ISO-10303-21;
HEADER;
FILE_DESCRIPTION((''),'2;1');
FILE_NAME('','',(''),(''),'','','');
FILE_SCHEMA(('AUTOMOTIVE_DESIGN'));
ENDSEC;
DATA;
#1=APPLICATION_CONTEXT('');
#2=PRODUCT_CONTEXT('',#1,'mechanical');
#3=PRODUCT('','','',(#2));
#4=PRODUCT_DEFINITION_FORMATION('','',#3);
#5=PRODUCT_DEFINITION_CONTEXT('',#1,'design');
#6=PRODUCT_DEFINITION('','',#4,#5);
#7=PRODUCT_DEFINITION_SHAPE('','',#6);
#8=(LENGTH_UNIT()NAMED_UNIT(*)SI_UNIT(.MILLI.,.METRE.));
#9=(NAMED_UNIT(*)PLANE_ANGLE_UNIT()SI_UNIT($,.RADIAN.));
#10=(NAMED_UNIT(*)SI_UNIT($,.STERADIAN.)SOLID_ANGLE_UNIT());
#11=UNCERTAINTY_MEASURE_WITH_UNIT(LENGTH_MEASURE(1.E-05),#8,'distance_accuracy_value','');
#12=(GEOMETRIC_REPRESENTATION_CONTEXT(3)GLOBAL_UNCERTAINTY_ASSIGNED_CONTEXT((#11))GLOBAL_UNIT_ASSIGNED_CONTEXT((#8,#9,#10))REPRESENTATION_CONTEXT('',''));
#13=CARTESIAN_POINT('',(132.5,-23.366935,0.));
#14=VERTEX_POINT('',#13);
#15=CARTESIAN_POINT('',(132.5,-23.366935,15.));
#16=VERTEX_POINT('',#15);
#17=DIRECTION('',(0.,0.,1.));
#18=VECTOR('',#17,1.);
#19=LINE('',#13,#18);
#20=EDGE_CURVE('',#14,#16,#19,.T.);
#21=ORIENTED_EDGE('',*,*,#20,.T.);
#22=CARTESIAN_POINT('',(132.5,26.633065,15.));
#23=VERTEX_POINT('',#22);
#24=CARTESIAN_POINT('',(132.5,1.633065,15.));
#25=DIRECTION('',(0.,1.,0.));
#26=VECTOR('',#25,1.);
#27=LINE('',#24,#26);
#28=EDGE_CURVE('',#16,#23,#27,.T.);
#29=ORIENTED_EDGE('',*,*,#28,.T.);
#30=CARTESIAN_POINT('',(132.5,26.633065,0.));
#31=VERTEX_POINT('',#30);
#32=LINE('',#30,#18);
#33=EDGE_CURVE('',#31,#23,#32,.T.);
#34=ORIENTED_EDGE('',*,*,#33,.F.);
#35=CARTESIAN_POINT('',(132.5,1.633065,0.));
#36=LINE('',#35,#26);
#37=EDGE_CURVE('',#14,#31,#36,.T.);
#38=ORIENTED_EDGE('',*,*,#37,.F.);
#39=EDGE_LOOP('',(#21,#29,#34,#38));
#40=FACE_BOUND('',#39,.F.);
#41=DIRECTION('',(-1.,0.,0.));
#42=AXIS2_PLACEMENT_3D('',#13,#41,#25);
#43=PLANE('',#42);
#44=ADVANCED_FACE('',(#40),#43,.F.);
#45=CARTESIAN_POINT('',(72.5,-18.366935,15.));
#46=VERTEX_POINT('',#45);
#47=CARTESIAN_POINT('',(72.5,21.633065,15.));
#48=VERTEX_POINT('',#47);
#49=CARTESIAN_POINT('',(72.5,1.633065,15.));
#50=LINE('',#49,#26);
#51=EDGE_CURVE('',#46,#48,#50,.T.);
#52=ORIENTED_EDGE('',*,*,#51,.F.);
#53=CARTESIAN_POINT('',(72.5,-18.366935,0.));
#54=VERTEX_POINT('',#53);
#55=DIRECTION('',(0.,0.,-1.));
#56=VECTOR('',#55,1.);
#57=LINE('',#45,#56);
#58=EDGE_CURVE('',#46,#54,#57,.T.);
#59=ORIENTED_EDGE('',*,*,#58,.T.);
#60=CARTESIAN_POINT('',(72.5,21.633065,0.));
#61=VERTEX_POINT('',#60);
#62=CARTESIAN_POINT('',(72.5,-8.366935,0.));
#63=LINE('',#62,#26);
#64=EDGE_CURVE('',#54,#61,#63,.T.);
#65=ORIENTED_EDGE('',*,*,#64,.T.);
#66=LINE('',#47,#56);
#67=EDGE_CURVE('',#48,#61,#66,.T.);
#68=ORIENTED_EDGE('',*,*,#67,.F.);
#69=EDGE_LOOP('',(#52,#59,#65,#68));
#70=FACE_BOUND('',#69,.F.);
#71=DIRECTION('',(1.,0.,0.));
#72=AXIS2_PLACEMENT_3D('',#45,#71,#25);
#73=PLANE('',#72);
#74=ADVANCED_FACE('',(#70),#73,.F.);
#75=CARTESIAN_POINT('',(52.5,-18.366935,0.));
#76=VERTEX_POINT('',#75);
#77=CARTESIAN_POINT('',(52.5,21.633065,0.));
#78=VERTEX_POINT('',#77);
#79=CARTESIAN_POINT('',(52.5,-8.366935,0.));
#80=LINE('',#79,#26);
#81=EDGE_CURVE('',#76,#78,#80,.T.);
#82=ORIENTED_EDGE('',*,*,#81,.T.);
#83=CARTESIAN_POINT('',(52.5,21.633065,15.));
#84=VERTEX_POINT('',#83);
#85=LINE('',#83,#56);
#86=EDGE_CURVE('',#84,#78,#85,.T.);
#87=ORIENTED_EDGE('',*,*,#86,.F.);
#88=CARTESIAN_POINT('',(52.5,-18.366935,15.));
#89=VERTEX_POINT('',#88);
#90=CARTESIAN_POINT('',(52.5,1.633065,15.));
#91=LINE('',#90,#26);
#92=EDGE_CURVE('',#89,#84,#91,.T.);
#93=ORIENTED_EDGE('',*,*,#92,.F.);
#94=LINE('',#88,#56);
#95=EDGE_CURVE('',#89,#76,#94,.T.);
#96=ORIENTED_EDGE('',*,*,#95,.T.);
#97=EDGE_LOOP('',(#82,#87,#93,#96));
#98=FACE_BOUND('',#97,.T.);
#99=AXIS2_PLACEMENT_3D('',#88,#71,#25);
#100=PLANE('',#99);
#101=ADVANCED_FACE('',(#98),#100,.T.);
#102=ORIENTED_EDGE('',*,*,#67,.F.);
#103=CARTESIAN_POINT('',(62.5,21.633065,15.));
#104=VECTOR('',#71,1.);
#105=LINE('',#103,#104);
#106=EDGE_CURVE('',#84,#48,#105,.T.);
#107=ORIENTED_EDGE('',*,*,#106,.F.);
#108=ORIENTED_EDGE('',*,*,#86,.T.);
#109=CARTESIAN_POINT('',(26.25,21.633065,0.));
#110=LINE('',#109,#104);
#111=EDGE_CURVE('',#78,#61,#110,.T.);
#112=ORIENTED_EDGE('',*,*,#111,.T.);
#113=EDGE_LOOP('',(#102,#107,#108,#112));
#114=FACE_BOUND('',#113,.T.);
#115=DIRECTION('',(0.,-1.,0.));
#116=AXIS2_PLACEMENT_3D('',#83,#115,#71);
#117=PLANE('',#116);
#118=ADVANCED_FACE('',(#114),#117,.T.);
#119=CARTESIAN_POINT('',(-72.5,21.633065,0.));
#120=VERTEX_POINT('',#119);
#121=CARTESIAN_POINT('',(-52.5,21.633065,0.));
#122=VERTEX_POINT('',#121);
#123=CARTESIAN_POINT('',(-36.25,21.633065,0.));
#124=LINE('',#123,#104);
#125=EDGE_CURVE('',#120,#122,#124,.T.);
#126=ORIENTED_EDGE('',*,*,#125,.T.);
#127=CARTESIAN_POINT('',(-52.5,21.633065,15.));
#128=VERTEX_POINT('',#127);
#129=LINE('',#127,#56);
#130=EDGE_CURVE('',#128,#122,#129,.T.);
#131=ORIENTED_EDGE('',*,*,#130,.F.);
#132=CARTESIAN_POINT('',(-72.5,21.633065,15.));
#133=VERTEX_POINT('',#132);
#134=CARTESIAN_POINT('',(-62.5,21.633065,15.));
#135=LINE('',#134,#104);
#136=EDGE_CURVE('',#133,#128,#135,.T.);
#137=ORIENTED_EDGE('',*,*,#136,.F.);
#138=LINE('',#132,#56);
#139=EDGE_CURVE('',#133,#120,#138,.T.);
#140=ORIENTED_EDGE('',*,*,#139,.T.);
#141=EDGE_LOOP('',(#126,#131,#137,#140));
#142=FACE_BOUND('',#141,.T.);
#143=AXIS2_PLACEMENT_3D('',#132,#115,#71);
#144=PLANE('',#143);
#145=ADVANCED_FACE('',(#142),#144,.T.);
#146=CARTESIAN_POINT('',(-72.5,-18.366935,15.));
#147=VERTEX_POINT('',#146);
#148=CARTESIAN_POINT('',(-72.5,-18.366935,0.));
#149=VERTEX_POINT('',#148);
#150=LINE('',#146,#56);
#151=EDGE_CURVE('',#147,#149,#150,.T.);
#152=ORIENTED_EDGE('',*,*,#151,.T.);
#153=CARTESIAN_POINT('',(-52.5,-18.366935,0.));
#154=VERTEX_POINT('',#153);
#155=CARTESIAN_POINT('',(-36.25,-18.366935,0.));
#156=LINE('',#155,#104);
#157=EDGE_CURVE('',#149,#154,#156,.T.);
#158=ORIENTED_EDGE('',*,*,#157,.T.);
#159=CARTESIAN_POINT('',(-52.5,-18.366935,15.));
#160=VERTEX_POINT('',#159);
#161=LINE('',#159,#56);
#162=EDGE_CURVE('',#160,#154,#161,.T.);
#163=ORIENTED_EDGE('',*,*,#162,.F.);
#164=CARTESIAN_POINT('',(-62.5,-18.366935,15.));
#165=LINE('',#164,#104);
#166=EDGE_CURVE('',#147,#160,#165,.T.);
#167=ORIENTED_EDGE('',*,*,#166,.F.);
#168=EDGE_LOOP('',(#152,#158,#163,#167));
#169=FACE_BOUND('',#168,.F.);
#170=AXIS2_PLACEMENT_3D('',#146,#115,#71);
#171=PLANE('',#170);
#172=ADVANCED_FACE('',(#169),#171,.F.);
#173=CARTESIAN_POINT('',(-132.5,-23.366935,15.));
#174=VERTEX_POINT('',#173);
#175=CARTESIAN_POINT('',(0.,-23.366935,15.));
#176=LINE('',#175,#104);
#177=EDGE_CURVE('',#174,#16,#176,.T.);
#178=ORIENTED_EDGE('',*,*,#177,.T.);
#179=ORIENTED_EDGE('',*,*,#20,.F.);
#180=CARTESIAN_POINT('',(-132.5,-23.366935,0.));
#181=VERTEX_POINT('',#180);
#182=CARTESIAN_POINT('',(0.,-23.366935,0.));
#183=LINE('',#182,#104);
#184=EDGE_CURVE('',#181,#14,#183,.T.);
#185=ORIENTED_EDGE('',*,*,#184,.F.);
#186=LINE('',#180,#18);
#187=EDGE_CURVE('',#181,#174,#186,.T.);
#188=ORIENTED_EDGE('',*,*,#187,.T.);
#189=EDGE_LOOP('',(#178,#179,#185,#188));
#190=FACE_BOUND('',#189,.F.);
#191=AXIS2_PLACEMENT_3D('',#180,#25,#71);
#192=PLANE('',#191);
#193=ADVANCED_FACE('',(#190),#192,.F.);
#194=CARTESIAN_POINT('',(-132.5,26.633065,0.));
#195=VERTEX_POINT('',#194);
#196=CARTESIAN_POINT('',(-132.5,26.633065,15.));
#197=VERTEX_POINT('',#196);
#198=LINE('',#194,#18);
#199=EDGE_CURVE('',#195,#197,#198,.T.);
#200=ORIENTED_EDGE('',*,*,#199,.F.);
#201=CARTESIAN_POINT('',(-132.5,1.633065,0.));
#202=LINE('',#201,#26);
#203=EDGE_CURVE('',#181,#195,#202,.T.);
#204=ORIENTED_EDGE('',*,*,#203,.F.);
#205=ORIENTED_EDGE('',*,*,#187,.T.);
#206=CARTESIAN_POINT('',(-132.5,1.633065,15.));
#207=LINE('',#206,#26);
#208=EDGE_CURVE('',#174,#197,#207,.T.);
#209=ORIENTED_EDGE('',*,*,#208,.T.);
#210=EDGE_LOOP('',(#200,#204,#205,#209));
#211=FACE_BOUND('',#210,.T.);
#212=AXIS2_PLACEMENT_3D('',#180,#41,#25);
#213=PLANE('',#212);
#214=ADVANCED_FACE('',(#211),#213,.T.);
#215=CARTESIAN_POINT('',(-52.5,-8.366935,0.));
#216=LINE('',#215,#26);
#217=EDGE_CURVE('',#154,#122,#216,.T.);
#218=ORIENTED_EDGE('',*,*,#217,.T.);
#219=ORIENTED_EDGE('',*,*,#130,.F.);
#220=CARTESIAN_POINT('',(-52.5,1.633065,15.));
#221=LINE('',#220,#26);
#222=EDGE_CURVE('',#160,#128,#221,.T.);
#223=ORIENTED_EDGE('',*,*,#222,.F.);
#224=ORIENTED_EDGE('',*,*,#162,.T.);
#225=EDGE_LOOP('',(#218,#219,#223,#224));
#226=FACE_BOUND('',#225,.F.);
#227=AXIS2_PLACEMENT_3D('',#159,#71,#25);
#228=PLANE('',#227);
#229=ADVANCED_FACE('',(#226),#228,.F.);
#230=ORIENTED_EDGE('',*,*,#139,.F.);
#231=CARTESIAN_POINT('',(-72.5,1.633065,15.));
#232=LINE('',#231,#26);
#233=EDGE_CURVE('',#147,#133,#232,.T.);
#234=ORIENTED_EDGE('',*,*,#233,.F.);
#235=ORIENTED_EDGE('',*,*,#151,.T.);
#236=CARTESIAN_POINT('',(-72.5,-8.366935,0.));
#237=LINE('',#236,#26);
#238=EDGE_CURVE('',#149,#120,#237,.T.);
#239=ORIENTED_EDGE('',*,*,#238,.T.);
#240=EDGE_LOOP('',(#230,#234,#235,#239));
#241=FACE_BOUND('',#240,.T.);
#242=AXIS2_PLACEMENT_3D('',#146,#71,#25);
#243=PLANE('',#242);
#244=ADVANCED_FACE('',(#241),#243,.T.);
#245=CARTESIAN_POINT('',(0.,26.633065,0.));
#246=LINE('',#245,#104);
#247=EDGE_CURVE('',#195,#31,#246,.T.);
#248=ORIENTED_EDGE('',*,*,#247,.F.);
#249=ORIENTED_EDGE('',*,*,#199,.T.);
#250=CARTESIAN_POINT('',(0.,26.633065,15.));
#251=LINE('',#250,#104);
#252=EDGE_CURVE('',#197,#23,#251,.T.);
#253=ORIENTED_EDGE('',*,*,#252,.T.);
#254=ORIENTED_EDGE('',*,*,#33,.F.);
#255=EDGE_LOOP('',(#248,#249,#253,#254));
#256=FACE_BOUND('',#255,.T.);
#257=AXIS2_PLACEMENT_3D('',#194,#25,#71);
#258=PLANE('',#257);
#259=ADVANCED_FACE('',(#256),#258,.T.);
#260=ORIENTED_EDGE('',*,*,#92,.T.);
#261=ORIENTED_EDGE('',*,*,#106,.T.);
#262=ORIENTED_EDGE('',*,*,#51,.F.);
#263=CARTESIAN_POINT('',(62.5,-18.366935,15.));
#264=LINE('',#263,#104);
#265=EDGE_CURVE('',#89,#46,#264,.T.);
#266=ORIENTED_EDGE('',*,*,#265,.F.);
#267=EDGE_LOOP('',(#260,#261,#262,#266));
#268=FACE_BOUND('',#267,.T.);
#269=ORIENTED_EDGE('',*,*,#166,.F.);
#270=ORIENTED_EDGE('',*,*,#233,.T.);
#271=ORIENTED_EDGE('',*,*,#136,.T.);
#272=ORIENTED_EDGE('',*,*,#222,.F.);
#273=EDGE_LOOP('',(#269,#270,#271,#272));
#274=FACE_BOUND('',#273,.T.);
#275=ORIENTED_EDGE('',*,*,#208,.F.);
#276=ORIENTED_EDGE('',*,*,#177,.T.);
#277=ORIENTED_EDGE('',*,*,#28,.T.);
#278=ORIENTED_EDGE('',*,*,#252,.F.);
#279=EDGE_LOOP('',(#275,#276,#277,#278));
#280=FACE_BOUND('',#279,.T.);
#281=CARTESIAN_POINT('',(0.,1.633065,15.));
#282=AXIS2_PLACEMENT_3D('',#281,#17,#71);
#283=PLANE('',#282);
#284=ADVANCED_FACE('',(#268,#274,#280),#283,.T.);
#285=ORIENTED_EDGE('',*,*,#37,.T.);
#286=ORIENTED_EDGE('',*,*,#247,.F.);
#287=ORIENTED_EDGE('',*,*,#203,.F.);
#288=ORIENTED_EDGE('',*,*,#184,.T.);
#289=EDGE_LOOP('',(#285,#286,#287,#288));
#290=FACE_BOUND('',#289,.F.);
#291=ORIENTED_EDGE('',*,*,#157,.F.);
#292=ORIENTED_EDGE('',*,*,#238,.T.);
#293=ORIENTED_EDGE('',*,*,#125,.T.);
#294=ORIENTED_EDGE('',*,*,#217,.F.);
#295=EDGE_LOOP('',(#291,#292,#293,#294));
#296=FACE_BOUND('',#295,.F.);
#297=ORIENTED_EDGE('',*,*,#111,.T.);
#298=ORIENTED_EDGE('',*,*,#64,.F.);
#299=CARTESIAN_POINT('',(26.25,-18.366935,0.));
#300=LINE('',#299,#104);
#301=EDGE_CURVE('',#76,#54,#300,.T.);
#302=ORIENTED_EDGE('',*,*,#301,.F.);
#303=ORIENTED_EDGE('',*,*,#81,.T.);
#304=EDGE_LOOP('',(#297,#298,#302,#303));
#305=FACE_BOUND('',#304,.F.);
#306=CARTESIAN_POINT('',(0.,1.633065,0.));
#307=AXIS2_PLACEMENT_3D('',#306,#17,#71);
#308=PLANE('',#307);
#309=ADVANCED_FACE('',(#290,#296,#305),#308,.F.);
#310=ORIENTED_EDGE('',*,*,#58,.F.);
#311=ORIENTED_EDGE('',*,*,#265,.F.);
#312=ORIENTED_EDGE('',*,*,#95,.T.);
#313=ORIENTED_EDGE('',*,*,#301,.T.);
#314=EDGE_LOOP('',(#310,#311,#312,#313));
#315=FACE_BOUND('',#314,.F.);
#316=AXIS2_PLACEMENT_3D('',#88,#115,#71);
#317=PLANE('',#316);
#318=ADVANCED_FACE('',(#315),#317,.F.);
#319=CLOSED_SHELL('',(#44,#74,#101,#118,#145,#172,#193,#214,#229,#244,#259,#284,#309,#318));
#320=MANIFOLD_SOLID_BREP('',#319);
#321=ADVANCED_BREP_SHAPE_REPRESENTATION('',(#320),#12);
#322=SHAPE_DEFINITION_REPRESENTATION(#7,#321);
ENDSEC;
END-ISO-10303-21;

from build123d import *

# Parameters (mm, degrees)
F0_W     = 265
F0_H     = 50
F1_DEPTH = 15
F2_W     = 20
F2_H     = 40
F3_DEPTH = 39.9
F4_DEPTH = 35.1


with BuildPart() as f1:
    # F0 (on Top) → F1 (new body)
    with BuildSketch(Plane.XY):
        with Locations((0, 1.633065)):
            Rectangle(F0_W, F0_H)
    extrude(amount=F1_DEPTH)

    # F2 (on face) → F3 (cut)
    with BuildSketch(Plane.XY.offset(15)):
        with Locations((-62.5, 1.633065)):
            Rectangle(F2_W, F2_H)
        with Locations((62.5, 1.633065)):
            Rectangle(F2_W, F2_H)
    extrude(amount=-F3_DEPTH, mode=Mode.SUBTRACT)

    # F2 (on face) → F4 (cut)
    with BuildSketch(Plane.XY.offset(15)):
        with Locations((-62.5, 1.633065)):
            Rectangle(F2_W, F2_H)
        with Locations((62.5, 1.633065)):
            Rectangle(F2_W, F2_H)
    extrude(amount=-F4_DEPTH, mode=Mode.SUBTRACT)


solid = f1.part
